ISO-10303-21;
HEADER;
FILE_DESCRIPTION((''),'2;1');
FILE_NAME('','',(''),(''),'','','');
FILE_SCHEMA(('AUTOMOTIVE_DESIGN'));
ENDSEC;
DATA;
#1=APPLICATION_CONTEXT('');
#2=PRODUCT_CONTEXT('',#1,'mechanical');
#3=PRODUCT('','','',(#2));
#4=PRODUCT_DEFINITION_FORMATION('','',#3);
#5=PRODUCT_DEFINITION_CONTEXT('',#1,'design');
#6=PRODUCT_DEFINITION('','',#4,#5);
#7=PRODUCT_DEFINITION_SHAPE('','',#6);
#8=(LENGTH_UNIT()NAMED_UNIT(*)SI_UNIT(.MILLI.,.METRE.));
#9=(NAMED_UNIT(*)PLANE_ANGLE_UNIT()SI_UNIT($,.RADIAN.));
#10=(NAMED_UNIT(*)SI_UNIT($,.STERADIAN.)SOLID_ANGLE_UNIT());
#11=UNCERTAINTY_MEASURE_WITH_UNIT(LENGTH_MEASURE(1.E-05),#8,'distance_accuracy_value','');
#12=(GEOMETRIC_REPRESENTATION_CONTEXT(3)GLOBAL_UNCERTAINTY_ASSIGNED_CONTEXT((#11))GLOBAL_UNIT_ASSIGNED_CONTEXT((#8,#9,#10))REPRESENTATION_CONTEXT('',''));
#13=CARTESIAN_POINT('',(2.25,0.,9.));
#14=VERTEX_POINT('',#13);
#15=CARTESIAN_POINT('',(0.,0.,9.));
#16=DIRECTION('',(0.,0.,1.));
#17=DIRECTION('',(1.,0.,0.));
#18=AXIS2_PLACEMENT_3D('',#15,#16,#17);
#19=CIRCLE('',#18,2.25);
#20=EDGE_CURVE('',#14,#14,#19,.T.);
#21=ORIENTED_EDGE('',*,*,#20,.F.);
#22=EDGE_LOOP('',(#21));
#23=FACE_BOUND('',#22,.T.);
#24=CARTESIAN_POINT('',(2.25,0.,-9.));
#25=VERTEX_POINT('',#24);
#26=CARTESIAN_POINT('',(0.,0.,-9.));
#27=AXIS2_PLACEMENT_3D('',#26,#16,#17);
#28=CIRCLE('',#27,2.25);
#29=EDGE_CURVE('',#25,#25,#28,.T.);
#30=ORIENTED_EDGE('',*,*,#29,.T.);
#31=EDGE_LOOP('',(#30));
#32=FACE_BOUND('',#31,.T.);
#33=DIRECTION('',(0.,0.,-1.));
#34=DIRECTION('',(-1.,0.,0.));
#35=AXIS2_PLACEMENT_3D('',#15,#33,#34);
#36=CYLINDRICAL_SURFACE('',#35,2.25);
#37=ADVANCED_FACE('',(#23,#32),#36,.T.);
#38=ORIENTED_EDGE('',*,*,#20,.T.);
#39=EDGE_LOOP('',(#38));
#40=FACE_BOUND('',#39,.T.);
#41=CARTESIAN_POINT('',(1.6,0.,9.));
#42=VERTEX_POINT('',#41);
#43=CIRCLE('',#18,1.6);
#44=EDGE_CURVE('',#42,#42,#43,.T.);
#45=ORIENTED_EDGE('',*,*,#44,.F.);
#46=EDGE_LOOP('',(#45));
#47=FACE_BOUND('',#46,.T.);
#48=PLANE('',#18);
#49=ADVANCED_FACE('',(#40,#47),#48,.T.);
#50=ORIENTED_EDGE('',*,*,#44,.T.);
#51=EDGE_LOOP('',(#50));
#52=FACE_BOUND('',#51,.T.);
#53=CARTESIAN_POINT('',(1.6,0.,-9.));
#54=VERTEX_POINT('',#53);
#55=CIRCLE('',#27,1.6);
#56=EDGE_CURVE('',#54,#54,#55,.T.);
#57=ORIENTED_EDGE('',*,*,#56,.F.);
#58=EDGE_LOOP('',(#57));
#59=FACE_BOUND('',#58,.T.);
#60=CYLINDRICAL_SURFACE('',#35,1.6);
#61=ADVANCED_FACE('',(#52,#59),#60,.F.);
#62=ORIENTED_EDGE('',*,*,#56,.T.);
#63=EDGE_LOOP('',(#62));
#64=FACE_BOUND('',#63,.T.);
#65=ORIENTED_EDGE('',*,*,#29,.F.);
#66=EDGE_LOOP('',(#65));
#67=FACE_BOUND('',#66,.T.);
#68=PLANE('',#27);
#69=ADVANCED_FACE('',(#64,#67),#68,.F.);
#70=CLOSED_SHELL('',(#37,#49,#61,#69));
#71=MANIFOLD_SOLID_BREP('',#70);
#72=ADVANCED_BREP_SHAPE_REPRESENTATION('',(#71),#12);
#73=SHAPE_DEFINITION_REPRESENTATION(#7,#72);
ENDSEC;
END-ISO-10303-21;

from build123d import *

# Parameters (mm, degrees)
SKETCH1_R      = 2.25
SKETCH1_R_2    = 1.6
EXTRUDE1_DEPTH = 9


with BuildPart() as part:
    # Sketch1 → Extrude1 (new body, symmetric)
    with BuildSketch(Plane.XY):
        Circle(SKETCH1_R)
        Circle(SKETCH1_R_2, mode=Mode.SUBTRACT)
    extrude(amount=EXTRUDE1_DEPTH, both=True)


solid = part.part
